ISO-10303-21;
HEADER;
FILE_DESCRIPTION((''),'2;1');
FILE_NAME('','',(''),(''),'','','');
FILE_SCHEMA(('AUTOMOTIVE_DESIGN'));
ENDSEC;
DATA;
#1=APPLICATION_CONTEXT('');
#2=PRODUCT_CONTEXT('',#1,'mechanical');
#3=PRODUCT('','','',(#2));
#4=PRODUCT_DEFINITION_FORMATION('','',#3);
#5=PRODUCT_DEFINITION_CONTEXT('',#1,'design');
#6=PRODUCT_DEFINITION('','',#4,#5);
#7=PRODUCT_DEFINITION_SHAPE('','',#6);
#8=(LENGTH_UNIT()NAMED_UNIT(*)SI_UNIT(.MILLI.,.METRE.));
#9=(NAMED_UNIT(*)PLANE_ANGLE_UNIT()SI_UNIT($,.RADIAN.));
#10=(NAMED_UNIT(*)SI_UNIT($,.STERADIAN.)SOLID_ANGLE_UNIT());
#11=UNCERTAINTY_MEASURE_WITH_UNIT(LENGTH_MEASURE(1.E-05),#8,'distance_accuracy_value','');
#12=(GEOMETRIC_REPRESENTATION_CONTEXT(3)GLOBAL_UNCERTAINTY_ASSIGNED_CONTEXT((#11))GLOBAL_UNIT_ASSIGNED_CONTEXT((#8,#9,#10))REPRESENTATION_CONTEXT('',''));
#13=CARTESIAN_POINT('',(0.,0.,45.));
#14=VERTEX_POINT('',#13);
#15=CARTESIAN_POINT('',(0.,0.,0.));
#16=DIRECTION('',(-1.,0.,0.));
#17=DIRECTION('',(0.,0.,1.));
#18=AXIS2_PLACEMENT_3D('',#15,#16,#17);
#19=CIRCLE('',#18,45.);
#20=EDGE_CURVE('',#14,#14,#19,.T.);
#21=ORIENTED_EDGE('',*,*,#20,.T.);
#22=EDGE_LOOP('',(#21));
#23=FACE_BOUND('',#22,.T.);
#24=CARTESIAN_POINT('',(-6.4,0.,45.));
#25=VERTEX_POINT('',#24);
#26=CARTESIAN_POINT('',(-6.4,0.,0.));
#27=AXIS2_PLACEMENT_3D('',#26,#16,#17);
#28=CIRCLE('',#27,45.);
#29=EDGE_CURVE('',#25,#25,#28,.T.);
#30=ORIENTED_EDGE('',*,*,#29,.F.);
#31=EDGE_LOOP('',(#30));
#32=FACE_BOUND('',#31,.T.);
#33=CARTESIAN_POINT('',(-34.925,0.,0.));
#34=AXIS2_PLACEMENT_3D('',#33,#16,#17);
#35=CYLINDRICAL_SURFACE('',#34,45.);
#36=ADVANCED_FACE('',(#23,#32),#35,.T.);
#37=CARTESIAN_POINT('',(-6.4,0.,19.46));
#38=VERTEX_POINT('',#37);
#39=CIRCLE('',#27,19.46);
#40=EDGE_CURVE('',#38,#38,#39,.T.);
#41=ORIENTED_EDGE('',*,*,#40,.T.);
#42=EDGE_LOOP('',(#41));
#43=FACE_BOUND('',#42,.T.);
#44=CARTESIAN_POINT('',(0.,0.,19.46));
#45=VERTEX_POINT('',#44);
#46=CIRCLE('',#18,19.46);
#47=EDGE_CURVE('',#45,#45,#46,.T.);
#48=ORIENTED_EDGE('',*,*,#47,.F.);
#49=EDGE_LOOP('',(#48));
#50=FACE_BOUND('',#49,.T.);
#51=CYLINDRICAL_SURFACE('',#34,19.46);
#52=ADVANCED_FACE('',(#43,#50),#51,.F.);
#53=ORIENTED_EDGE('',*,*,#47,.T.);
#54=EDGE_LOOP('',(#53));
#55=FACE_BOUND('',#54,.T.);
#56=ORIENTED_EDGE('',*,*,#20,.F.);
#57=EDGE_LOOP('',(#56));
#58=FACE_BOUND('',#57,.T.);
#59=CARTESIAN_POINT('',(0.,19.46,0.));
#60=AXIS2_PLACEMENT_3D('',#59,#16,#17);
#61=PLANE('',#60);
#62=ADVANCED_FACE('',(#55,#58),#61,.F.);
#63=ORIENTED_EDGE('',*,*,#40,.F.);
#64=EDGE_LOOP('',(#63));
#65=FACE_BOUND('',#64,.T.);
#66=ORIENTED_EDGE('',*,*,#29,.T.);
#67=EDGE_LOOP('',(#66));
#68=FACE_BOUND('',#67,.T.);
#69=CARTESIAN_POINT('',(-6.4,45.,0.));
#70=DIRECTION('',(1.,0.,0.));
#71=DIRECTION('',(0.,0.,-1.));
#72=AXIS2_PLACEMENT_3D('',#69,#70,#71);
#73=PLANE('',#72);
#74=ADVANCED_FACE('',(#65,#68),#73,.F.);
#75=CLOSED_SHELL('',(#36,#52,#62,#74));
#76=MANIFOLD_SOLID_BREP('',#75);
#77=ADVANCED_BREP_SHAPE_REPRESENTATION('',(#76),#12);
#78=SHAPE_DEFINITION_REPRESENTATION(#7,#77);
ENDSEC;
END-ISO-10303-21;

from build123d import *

# Parameters (mm, degrees)
SKETCH1_W = 6.4
SKETCH1_H = 25.54


with BuildPart() as part:
    # Sketch1 → Base-Revolve (revolve)
    with BuildSketch(Plane.XY, mode=Mode.PRIVATE) as base_revolve_sk:
        with Locations((-3.2, 32.23)):
            Rectangle(SKETCH1_W, SKETCH1_H)
    revolve(base_revolve_sk.sketch.rotate(Axis((-34.925, 0, 0), (1, 0, 0)), 90), axis=Axis((-34.925, 0, 0), (1, 0, 0)))


solid = part.part
